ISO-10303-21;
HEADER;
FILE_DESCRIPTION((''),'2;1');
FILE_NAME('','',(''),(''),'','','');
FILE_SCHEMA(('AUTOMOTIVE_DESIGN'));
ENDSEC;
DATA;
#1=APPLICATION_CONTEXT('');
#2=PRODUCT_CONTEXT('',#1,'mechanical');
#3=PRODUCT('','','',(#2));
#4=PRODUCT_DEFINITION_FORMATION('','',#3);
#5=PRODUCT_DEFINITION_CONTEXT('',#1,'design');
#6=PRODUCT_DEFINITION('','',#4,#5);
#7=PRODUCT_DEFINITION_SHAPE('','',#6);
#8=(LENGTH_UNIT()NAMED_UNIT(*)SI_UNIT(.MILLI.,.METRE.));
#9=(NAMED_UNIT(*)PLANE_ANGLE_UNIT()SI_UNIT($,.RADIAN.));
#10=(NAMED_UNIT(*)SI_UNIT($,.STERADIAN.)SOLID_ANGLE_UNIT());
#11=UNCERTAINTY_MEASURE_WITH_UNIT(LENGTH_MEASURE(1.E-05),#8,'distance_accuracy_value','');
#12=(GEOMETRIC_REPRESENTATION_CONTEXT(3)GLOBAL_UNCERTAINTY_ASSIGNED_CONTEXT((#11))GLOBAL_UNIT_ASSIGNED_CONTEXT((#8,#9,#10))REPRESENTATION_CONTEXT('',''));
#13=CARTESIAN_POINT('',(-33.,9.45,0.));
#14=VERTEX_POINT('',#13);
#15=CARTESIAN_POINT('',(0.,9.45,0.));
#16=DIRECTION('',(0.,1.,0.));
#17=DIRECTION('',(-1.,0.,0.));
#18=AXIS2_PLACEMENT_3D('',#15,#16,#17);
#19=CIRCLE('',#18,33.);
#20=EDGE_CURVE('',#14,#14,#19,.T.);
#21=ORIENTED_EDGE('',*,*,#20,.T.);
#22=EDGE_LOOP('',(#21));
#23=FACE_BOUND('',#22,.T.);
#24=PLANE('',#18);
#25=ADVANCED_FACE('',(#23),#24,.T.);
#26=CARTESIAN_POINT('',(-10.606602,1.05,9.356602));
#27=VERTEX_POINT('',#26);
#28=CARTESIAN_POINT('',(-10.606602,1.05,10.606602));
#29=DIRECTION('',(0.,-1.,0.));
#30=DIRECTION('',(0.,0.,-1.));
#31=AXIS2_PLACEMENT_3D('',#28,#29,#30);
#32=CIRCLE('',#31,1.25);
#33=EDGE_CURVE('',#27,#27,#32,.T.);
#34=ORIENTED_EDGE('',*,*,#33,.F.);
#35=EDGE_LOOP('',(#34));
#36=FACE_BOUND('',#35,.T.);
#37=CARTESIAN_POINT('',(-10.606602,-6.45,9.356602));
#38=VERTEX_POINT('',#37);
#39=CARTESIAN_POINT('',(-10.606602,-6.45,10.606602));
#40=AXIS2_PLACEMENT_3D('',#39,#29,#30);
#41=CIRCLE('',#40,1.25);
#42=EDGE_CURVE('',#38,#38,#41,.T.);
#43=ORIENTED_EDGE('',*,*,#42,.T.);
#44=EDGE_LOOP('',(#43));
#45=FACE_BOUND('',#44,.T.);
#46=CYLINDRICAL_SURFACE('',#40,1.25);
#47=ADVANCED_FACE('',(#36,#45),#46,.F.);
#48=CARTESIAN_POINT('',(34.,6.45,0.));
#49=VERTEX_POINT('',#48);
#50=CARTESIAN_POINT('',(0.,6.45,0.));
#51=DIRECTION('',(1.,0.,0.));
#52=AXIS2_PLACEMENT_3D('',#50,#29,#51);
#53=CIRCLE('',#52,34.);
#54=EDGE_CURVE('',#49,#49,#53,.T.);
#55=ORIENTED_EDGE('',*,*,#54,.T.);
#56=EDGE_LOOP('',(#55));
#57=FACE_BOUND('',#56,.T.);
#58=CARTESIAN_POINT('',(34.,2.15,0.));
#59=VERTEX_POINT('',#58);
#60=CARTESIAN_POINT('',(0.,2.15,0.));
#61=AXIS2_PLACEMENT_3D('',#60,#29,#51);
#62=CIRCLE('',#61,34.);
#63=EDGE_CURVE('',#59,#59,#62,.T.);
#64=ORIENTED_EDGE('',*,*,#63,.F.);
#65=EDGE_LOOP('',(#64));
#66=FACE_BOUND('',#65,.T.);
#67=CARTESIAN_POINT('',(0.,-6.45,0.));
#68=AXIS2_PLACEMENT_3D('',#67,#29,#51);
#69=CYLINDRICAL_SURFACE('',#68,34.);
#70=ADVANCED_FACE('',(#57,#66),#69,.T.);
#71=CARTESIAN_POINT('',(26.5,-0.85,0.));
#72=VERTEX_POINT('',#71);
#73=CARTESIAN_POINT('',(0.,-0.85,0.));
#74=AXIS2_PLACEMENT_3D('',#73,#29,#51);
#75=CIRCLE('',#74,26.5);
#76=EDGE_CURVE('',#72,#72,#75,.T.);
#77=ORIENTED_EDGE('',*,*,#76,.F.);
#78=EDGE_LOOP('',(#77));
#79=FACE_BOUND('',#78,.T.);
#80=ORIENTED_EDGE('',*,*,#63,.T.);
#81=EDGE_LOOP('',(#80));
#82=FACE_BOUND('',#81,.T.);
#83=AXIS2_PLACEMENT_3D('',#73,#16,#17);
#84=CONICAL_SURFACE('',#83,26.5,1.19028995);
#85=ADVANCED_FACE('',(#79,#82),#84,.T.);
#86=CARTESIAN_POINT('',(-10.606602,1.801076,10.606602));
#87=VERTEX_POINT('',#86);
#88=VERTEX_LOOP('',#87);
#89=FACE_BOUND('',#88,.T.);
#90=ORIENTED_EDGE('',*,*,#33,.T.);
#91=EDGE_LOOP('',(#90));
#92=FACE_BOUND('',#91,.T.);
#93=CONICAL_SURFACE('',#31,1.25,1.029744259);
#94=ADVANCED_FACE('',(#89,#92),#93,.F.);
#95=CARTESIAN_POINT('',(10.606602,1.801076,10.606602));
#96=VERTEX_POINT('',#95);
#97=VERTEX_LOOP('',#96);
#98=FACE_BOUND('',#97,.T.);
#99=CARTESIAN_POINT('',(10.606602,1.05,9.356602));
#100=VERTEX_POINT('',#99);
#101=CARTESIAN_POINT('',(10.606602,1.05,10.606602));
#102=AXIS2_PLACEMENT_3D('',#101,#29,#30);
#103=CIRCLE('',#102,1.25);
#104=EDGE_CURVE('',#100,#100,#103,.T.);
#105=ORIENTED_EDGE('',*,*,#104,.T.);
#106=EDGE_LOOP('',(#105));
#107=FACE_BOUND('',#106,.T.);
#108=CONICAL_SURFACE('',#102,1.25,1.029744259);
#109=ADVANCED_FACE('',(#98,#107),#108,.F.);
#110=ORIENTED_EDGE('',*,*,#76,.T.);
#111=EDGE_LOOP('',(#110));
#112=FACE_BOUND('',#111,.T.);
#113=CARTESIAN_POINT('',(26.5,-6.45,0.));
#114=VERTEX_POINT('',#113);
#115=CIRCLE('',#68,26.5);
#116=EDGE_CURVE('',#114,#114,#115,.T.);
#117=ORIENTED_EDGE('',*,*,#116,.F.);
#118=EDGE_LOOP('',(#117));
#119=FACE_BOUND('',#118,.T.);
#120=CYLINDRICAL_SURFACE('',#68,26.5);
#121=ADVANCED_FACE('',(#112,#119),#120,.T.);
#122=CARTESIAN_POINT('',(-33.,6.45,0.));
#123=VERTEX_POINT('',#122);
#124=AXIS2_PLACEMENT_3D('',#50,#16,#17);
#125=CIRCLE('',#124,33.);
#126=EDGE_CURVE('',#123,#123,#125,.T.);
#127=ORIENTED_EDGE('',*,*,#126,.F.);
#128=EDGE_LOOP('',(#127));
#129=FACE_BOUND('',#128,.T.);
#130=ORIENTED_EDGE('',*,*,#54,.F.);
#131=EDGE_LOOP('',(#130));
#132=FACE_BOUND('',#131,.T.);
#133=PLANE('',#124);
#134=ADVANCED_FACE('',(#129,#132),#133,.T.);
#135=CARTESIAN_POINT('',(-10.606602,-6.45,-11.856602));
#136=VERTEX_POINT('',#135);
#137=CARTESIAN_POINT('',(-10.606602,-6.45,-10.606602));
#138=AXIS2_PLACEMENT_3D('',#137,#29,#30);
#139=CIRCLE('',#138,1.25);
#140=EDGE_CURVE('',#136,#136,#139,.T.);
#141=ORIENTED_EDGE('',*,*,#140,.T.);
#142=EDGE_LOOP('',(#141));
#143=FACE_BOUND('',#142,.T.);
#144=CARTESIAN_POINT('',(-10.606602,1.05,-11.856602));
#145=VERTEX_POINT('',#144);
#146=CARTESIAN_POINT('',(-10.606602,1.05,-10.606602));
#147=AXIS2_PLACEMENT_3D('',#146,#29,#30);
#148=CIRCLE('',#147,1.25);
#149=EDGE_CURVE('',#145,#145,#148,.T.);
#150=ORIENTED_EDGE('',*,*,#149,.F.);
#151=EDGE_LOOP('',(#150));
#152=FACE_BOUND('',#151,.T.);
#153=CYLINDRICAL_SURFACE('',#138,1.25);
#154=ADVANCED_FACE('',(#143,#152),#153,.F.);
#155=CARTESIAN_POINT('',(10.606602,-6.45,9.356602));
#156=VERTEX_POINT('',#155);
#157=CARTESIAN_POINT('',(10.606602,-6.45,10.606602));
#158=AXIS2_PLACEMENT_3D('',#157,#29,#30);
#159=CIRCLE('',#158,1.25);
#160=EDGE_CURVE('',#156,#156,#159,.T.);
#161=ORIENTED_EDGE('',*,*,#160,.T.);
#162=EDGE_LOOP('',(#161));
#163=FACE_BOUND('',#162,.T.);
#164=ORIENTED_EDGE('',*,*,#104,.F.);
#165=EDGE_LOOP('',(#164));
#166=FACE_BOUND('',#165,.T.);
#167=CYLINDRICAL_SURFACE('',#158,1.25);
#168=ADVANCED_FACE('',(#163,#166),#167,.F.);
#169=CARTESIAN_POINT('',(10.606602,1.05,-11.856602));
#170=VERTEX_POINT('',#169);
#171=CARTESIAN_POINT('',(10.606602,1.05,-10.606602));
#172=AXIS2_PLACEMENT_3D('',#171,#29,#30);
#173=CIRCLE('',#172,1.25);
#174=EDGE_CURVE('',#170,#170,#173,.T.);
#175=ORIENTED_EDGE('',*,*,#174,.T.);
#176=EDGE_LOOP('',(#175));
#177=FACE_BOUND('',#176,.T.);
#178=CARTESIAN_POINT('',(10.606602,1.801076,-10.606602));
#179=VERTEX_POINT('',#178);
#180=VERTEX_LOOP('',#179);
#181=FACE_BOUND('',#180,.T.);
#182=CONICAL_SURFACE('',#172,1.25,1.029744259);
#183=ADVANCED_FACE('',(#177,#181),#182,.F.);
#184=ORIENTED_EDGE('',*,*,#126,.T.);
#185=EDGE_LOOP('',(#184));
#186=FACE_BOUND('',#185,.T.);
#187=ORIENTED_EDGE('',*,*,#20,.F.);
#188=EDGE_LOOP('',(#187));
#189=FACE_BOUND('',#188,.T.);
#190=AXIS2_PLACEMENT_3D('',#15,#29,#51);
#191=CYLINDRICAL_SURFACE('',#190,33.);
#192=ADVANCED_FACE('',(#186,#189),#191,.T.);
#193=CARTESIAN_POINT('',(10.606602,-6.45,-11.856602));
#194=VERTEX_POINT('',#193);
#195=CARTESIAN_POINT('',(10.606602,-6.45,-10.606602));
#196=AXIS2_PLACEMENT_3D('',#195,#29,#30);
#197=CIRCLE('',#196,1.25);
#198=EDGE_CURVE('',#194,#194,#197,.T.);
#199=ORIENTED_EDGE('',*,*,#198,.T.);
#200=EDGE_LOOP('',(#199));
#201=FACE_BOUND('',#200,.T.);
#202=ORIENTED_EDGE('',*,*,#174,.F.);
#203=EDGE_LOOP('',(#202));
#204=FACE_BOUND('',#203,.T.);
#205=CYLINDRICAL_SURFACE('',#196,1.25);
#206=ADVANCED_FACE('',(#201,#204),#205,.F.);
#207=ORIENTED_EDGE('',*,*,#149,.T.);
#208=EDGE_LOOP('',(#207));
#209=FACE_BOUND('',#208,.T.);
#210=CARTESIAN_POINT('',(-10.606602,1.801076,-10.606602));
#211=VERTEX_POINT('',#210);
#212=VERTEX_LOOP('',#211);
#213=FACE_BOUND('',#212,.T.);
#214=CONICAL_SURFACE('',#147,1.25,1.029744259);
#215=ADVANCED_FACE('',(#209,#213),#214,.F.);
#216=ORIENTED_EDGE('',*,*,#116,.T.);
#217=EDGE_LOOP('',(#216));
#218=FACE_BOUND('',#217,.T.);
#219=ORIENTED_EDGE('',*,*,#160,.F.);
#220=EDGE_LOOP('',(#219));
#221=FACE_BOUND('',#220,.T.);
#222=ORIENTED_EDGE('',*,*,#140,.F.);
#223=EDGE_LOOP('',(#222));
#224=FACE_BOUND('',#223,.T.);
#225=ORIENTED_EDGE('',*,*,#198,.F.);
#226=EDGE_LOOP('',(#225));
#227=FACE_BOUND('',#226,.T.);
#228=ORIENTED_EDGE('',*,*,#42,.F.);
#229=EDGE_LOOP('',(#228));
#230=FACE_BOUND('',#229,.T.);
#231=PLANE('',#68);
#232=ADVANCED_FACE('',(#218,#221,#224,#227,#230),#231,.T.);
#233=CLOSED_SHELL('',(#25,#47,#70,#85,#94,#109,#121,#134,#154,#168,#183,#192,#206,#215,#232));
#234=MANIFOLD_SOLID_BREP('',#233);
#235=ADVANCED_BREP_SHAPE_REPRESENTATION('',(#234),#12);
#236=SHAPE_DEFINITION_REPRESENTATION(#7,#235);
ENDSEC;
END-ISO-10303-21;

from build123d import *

# Parameters (mm, degrees)
SKETCH3_R                 = 33
BOSS_EXTRUDE1_DEPTH       = 3
M3X0_5_TAPPED_HOLE1_D     = 2.5
M3X0_5_TAPPED_HOLE1_DEPTH = 7.5
M3X0_5_TAPPED_HOLE1_TIP   = 0.751075774


with BuildPart() as part:
    # Sketch2 → Revolve1 (revolve)
    with BuildSketch(Plane.XY):
        Polygon((0, -6.45), (0, 6.45), (34, 6.45), (34, 2.15), (26.5, -0.85), (26.5, -6.45), align=None)
    revolve(axis=Axis((0, -6.45, 0), (0, 1, 0)))

    # Sketch3 → Boss-Extrude1 (add)
    with BuildSketch(Plane(origin=(0, 6.45, 0), x_dir=(1, 0, 0), z_dir=(0, 1, 0))):
        with Locations(Location((0, 0, 0), (0, 0, 180))):
            Circle(SKETCH3_R)
    extrude(amount=BOSS_EXTRUDE1_DEPTH)

    # M3x0.5 Tapped Hole1
    with Locations(Plane(origin=(0, -6.45, 0), x_dir=(-1, 0, 0), z_dir=(0, -1, 0))):
        with Locations((10.606601718, -10.606601718), (-10.606601718, -10.606601718), (-10.606601718, 10.606601718), (10.606601718, 10.606601718)):
            Hole(M3X0_5_TAPPED_HOLE1_D / 2, depth=M3X0_5_TAPPED_HOLE1_DEPTH)
            with Locations((0, 0, -(M3X0_5_TAPPED_HOLE1_DEPTH + M3X0_5_TAPPED_HOLE1_TIP / 2))):  # 118° drill point
                Cone(0, M3X0_5_TAPPED_HOLE1_D / 2, M3X0_5_TAPPED_HOLE1_TIP, mode=Mode.SUBTRACT)


solid = part.part
